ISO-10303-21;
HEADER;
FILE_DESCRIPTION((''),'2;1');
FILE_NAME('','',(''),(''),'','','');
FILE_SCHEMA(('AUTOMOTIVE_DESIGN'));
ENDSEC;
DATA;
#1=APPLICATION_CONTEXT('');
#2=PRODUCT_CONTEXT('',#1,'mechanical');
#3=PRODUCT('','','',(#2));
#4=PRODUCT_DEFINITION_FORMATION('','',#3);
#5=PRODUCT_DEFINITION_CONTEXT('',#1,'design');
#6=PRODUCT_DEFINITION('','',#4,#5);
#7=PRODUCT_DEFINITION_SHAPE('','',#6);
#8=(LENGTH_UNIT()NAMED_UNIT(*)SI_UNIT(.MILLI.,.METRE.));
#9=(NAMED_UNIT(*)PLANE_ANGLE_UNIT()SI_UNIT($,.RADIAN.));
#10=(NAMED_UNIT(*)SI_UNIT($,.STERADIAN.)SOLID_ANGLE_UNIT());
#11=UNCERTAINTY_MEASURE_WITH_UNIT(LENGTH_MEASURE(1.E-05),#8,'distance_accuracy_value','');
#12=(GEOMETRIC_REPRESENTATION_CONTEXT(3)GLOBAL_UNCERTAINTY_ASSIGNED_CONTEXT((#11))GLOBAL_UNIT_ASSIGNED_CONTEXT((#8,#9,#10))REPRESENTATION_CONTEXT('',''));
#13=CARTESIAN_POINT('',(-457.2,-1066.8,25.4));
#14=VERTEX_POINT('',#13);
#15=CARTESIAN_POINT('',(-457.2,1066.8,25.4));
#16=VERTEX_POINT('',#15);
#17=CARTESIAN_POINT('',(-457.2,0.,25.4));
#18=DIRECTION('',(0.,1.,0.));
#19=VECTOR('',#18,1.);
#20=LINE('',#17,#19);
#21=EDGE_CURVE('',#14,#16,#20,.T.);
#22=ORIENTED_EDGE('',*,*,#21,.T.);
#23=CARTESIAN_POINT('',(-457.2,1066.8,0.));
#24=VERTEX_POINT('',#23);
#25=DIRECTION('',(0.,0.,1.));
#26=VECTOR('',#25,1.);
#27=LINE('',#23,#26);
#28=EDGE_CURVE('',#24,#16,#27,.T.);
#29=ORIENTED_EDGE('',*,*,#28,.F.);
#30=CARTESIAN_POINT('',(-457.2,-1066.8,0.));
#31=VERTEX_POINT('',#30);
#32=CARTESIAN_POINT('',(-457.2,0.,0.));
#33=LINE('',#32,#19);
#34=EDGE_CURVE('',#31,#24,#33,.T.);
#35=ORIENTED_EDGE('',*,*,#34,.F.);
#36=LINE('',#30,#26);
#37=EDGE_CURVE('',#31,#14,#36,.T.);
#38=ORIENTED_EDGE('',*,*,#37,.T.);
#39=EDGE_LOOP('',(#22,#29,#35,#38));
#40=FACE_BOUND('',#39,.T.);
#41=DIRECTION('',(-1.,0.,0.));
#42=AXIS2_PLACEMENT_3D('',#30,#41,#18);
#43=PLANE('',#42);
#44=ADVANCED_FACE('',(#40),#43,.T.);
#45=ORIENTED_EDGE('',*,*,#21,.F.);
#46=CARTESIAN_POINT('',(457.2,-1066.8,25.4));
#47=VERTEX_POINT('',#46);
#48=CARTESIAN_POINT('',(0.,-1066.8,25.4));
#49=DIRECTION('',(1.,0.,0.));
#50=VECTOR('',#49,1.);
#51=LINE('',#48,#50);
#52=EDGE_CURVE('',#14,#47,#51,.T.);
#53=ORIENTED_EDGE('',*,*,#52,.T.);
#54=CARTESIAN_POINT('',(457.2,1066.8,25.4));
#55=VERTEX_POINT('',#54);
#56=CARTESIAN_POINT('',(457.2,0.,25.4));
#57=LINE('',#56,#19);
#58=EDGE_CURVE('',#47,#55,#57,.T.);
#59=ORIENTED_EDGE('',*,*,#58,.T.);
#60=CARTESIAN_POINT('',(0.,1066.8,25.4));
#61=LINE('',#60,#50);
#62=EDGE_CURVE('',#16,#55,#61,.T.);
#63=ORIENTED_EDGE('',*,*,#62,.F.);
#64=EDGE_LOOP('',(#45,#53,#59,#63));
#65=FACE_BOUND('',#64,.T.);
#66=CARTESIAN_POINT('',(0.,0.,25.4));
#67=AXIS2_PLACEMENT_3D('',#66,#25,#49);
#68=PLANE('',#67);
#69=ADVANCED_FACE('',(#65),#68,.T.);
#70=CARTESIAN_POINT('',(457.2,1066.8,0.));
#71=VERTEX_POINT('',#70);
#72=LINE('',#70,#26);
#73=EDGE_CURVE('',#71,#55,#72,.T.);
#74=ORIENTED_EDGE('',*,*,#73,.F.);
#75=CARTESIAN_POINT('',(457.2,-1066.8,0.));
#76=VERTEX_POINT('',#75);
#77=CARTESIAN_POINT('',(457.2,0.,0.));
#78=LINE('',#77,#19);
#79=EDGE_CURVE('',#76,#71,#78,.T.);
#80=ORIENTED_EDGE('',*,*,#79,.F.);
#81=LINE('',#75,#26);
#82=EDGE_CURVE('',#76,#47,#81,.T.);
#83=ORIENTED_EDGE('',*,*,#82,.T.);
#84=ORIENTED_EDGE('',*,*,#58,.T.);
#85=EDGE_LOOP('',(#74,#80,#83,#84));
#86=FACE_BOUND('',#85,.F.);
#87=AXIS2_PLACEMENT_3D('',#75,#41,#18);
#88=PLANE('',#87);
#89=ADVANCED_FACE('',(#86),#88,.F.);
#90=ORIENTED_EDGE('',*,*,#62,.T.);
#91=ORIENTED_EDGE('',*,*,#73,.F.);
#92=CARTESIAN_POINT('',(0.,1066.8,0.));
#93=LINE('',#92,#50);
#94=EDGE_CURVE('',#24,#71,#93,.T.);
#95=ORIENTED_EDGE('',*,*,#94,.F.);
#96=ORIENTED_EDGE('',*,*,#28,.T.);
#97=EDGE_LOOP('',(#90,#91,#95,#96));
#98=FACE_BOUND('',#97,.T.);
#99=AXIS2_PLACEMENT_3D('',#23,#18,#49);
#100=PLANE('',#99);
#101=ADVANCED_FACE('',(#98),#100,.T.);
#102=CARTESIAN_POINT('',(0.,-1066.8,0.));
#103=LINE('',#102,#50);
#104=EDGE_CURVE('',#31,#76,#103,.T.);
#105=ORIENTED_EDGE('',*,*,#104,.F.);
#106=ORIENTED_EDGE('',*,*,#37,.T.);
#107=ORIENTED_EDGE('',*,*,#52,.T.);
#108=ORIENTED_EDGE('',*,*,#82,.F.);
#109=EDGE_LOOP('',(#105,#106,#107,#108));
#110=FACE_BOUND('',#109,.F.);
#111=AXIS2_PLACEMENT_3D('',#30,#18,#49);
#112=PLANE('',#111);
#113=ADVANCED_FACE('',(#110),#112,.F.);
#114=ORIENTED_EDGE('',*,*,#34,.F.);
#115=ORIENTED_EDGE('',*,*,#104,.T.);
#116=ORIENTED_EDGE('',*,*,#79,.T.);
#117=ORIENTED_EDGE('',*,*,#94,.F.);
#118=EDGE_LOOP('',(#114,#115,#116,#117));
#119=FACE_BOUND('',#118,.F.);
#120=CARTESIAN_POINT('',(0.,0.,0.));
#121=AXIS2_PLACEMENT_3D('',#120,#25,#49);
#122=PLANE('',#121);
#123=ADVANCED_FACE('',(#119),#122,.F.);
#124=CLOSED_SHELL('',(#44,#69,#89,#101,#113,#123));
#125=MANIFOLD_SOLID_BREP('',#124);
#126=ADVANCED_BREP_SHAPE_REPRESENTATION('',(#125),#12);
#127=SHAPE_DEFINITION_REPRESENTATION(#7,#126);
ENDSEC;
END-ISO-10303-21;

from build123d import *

# Parameters (mm, degrees)
F0_W     = 914.4
F0_H     = 2133.6
F0_W_2   = 609.6
F0_H_2   = 1828.8
F1_DEPTH = 25.4


with BuildPart() as f1:
    # F0 (on Top) → F1 (new body)
    with BuildSketch(Plane.XY):
        Rectangle(F0_W, F0_H)
        Rectangle(F0_W_2, F0_H_2, mode=Mode.SUBTRACT)
        Rectangle(F0_W_2, F0_H_2)
    extrude(amount=F1_DEPTH)


solid = f1.part
